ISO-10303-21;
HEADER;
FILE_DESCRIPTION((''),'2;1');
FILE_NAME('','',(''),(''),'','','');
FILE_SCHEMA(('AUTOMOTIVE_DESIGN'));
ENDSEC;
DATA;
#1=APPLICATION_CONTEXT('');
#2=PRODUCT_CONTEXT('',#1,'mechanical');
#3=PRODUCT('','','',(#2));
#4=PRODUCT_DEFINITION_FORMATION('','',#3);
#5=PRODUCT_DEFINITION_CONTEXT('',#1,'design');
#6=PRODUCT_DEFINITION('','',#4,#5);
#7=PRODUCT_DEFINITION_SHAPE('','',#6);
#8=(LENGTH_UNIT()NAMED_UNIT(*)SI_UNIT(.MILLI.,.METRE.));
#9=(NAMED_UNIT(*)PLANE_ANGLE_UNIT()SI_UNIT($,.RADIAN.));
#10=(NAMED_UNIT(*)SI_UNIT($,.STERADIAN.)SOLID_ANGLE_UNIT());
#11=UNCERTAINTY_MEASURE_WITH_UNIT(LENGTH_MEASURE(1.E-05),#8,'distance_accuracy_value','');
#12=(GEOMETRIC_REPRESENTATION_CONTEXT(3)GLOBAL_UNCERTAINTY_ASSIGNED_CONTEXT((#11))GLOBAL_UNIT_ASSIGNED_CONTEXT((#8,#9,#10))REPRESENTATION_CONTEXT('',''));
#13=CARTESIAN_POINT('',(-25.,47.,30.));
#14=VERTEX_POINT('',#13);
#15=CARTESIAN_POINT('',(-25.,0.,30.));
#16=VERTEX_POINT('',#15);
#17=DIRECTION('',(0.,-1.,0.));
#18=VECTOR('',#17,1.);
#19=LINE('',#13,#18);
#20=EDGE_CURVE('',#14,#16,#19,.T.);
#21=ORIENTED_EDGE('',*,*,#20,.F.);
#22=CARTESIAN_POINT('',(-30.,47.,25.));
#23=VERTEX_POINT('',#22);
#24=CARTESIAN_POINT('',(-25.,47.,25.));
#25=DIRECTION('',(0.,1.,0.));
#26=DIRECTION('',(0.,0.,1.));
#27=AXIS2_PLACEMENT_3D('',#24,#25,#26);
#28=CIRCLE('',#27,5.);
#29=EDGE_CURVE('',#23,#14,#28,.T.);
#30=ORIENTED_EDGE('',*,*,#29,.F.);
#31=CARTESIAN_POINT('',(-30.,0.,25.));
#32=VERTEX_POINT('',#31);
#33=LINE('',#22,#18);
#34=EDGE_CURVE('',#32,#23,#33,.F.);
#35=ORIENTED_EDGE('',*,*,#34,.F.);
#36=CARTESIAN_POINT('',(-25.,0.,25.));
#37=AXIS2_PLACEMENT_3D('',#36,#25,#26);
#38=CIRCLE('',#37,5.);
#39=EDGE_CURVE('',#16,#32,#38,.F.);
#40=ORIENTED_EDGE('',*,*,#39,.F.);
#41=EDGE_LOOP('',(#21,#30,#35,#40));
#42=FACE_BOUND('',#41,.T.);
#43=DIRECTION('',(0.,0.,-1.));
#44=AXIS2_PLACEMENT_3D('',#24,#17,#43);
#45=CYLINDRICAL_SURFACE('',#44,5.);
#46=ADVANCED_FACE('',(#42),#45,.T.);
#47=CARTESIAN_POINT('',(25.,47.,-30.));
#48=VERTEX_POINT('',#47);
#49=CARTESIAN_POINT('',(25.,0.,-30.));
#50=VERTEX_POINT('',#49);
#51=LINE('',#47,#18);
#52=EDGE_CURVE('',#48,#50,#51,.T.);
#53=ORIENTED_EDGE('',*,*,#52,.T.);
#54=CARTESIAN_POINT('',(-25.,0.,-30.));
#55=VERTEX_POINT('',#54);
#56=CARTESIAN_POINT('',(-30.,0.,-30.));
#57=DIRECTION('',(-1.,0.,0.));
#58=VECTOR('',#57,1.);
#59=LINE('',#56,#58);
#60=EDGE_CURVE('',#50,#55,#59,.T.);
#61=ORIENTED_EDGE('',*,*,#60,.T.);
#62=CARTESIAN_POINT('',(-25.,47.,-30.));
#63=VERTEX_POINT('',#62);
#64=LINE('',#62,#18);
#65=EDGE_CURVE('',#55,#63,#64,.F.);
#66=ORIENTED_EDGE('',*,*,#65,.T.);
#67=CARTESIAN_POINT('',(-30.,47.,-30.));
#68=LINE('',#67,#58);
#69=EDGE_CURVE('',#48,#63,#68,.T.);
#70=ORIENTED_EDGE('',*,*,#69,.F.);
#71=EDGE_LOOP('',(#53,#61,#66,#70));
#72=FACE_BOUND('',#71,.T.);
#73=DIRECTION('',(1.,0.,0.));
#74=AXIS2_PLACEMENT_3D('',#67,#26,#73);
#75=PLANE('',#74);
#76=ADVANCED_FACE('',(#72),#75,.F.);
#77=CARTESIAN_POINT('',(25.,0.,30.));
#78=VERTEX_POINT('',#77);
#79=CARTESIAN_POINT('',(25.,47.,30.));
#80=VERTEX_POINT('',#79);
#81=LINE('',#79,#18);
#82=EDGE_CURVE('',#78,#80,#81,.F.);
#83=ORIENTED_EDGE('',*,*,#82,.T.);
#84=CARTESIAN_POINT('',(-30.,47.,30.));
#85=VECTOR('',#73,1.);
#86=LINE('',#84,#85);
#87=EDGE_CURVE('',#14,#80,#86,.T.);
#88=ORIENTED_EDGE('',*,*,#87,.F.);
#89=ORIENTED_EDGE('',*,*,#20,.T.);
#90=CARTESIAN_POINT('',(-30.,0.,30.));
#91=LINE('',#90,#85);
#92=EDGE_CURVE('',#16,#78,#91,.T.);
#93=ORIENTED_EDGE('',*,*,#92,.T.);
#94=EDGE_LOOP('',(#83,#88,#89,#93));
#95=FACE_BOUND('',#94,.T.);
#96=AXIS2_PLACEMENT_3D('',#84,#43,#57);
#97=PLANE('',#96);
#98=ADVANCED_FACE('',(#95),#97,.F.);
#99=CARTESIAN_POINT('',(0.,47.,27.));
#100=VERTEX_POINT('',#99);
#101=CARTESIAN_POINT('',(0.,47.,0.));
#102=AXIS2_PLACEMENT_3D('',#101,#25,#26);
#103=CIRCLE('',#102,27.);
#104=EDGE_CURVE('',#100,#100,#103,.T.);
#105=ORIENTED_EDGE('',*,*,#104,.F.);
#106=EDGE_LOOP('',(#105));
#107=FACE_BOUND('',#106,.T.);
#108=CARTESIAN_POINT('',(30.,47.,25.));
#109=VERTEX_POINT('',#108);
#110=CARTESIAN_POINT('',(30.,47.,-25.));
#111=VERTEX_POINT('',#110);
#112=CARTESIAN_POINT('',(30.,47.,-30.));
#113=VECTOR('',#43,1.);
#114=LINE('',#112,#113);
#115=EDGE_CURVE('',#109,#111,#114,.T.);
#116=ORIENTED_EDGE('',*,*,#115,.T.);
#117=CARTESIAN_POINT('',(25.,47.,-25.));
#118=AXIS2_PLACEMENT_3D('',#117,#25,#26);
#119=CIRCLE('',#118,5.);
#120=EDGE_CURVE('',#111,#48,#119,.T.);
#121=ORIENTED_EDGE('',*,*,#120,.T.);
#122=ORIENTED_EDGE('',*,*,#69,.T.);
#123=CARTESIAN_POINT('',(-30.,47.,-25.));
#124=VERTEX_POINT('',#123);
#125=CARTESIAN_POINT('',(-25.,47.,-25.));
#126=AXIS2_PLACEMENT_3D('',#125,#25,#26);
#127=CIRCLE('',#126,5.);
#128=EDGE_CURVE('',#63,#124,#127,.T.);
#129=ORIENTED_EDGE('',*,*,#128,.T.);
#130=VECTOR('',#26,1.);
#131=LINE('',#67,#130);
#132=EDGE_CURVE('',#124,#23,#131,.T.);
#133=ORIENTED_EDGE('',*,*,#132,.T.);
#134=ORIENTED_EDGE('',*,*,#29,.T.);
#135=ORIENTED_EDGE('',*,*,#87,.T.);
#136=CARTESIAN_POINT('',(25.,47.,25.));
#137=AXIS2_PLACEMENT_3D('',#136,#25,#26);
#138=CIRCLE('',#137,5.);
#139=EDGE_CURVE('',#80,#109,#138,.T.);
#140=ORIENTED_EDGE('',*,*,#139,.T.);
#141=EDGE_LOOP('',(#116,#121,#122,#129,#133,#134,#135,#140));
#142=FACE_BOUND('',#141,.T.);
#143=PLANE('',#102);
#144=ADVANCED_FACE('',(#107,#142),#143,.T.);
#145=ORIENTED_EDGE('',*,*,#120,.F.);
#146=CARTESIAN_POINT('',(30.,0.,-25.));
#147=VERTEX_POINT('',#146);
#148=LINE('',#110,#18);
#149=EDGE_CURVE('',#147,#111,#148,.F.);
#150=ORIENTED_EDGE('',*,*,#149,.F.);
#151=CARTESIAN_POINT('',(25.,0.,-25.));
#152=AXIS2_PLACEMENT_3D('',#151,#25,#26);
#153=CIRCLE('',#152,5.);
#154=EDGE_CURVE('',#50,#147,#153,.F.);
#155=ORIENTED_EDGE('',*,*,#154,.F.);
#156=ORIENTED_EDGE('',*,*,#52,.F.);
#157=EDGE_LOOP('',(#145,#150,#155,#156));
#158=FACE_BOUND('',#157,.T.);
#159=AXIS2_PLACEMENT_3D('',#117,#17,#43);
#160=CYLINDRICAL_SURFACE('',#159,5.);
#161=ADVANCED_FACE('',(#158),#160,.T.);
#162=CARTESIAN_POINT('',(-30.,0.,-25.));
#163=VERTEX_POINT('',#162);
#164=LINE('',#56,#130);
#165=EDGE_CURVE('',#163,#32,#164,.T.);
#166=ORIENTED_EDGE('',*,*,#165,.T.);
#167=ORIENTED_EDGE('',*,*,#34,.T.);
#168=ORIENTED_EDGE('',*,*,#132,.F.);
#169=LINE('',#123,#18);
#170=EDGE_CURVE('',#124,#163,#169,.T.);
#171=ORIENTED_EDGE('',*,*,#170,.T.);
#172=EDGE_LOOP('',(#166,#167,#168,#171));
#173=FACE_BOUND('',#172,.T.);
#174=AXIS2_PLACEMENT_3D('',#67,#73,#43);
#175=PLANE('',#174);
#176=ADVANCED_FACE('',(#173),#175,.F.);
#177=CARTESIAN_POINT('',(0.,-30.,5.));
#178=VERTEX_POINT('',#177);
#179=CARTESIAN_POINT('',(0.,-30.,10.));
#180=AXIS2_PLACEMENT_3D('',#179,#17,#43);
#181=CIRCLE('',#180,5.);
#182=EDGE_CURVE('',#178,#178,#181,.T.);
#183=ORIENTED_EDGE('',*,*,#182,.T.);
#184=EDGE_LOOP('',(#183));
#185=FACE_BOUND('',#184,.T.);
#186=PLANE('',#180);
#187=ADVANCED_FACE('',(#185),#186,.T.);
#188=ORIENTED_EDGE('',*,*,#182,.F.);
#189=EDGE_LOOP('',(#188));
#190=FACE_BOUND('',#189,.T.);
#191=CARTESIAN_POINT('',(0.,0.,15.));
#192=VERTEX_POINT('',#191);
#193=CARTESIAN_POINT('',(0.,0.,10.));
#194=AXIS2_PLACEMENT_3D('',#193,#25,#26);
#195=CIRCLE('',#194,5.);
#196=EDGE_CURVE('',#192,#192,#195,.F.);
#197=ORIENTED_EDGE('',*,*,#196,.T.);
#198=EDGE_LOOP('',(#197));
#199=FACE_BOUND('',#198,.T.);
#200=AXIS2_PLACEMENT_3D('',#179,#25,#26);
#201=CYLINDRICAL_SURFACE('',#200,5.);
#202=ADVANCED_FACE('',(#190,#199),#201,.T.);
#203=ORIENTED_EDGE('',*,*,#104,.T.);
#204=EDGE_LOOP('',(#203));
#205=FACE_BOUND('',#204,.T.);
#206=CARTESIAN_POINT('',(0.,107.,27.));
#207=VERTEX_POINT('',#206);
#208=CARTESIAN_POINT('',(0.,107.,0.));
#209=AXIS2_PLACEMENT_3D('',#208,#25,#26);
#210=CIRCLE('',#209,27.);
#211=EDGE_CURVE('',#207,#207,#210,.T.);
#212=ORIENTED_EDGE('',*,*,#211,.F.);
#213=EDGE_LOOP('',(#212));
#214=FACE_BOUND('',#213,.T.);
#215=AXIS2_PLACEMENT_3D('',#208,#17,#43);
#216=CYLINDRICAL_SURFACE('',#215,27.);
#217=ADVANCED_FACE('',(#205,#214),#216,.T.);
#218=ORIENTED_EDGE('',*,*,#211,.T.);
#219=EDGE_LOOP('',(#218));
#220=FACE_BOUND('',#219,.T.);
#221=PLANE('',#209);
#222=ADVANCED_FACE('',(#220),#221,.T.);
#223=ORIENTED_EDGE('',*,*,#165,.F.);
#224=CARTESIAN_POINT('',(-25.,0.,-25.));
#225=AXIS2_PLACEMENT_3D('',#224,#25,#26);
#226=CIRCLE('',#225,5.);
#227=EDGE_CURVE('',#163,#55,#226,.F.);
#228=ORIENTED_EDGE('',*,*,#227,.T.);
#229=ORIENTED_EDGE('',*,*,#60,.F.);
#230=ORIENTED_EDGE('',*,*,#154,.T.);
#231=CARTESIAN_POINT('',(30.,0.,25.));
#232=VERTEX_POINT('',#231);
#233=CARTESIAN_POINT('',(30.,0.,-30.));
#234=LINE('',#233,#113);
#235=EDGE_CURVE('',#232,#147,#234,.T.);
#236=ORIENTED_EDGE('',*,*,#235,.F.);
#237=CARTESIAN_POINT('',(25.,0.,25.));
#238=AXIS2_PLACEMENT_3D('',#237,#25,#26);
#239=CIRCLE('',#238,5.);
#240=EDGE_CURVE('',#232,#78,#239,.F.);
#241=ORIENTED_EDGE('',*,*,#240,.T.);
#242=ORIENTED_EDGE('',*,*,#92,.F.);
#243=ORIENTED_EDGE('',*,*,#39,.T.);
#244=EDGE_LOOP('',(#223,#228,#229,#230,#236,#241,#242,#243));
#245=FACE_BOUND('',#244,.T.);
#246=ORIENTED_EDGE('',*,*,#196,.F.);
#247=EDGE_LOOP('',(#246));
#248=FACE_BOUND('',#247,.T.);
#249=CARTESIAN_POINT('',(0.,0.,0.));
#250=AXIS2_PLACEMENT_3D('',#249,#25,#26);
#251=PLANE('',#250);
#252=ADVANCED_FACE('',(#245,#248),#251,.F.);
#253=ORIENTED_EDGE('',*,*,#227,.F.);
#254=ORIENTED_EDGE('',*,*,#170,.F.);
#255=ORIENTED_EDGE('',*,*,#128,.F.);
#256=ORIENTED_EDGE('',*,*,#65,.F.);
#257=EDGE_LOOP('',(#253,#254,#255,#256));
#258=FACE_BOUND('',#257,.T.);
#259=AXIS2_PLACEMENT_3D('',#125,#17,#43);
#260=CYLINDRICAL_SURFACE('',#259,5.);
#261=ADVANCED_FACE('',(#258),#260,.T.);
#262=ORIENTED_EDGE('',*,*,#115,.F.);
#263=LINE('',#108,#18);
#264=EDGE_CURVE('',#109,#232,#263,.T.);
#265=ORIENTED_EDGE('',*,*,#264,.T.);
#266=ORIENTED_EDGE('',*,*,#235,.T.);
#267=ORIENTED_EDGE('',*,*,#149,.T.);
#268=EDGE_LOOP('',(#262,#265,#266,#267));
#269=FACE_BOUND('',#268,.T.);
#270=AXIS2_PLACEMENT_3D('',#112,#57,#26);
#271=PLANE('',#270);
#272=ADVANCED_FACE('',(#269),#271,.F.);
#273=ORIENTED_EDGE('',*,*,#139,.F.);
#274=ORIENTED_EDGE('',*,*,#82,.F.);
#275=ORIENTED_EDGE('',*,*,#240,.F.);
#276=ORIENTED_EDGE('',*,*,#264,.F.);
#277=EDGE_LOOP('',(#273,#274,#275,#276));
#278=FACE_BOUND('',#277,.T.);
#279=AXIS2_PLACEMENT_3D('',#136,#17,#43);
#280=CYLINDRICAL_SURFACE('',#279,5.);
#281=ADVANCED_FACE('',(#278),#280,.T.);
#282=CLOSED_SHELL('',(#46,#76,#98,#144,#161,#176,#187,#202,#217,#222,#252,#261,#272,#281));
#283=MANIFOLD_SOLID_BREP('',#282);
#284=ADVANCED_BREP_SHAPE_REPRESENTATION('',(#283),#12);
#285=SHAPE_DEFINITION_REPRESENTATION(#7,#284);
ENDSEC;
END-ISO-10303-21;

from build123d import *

# Parameters (mm, degrees)
SKETCH1_W           = 60
SKETCH1_H           = 60
BOSS_EXTRUDE1_DEPTH = 47
FILLET1_R           = 5
SKETCH2_R           = 27
BOSS_EXTRUDE2_DEPTH = 60
SKETCH3_R           = 5
BOSS_EXTRUDE3_DEPTH = 30


with BuildPart() as part:
    # Sketch1 → Boss-Extrude1 (new body)
    with BuildSketch(Plane(origin=(0, 0, 0), x_dir=(1, 0, 0), z_dir=(0, 1, 0))):
        Rectangle(SKETCH1_W, SKETCH1_H)
    extrude(amount=BOSS_EXTRUDE1_DEPTH)

    # Fillet1
    fillet1_edges = [part.edges().sort_by_distance(p)[0] for p in [
        (30, 23.5, 30),
        (-30, 23.5, 30),
        (-30, 23.5, -30),
        (30, 23.5, -30),
    ]]
    fillet(fillet1_edges, radius=FILLET1_R)

    # Sketch2 → Boss-Extrude2 (add)
    with BuildSketch(Plane(origin=(0, 47, 0), x_dir=(1, 0, 0), z_dir=(0, 1, 0))):
        Circle(SKETCH2_R)
    extrude(amount=BOSS_EXTRUDE2_DEPTH)

    # Sketch3 → Boss-Extrude3 (add)
    with BuildSketch(Plane.XZ):
        with Locations((0, 10)):
            Circle(SKETCH3_R)
    extrude(amount=BOSS_EXTRUDE3_DEPTH)


solid = part.part
